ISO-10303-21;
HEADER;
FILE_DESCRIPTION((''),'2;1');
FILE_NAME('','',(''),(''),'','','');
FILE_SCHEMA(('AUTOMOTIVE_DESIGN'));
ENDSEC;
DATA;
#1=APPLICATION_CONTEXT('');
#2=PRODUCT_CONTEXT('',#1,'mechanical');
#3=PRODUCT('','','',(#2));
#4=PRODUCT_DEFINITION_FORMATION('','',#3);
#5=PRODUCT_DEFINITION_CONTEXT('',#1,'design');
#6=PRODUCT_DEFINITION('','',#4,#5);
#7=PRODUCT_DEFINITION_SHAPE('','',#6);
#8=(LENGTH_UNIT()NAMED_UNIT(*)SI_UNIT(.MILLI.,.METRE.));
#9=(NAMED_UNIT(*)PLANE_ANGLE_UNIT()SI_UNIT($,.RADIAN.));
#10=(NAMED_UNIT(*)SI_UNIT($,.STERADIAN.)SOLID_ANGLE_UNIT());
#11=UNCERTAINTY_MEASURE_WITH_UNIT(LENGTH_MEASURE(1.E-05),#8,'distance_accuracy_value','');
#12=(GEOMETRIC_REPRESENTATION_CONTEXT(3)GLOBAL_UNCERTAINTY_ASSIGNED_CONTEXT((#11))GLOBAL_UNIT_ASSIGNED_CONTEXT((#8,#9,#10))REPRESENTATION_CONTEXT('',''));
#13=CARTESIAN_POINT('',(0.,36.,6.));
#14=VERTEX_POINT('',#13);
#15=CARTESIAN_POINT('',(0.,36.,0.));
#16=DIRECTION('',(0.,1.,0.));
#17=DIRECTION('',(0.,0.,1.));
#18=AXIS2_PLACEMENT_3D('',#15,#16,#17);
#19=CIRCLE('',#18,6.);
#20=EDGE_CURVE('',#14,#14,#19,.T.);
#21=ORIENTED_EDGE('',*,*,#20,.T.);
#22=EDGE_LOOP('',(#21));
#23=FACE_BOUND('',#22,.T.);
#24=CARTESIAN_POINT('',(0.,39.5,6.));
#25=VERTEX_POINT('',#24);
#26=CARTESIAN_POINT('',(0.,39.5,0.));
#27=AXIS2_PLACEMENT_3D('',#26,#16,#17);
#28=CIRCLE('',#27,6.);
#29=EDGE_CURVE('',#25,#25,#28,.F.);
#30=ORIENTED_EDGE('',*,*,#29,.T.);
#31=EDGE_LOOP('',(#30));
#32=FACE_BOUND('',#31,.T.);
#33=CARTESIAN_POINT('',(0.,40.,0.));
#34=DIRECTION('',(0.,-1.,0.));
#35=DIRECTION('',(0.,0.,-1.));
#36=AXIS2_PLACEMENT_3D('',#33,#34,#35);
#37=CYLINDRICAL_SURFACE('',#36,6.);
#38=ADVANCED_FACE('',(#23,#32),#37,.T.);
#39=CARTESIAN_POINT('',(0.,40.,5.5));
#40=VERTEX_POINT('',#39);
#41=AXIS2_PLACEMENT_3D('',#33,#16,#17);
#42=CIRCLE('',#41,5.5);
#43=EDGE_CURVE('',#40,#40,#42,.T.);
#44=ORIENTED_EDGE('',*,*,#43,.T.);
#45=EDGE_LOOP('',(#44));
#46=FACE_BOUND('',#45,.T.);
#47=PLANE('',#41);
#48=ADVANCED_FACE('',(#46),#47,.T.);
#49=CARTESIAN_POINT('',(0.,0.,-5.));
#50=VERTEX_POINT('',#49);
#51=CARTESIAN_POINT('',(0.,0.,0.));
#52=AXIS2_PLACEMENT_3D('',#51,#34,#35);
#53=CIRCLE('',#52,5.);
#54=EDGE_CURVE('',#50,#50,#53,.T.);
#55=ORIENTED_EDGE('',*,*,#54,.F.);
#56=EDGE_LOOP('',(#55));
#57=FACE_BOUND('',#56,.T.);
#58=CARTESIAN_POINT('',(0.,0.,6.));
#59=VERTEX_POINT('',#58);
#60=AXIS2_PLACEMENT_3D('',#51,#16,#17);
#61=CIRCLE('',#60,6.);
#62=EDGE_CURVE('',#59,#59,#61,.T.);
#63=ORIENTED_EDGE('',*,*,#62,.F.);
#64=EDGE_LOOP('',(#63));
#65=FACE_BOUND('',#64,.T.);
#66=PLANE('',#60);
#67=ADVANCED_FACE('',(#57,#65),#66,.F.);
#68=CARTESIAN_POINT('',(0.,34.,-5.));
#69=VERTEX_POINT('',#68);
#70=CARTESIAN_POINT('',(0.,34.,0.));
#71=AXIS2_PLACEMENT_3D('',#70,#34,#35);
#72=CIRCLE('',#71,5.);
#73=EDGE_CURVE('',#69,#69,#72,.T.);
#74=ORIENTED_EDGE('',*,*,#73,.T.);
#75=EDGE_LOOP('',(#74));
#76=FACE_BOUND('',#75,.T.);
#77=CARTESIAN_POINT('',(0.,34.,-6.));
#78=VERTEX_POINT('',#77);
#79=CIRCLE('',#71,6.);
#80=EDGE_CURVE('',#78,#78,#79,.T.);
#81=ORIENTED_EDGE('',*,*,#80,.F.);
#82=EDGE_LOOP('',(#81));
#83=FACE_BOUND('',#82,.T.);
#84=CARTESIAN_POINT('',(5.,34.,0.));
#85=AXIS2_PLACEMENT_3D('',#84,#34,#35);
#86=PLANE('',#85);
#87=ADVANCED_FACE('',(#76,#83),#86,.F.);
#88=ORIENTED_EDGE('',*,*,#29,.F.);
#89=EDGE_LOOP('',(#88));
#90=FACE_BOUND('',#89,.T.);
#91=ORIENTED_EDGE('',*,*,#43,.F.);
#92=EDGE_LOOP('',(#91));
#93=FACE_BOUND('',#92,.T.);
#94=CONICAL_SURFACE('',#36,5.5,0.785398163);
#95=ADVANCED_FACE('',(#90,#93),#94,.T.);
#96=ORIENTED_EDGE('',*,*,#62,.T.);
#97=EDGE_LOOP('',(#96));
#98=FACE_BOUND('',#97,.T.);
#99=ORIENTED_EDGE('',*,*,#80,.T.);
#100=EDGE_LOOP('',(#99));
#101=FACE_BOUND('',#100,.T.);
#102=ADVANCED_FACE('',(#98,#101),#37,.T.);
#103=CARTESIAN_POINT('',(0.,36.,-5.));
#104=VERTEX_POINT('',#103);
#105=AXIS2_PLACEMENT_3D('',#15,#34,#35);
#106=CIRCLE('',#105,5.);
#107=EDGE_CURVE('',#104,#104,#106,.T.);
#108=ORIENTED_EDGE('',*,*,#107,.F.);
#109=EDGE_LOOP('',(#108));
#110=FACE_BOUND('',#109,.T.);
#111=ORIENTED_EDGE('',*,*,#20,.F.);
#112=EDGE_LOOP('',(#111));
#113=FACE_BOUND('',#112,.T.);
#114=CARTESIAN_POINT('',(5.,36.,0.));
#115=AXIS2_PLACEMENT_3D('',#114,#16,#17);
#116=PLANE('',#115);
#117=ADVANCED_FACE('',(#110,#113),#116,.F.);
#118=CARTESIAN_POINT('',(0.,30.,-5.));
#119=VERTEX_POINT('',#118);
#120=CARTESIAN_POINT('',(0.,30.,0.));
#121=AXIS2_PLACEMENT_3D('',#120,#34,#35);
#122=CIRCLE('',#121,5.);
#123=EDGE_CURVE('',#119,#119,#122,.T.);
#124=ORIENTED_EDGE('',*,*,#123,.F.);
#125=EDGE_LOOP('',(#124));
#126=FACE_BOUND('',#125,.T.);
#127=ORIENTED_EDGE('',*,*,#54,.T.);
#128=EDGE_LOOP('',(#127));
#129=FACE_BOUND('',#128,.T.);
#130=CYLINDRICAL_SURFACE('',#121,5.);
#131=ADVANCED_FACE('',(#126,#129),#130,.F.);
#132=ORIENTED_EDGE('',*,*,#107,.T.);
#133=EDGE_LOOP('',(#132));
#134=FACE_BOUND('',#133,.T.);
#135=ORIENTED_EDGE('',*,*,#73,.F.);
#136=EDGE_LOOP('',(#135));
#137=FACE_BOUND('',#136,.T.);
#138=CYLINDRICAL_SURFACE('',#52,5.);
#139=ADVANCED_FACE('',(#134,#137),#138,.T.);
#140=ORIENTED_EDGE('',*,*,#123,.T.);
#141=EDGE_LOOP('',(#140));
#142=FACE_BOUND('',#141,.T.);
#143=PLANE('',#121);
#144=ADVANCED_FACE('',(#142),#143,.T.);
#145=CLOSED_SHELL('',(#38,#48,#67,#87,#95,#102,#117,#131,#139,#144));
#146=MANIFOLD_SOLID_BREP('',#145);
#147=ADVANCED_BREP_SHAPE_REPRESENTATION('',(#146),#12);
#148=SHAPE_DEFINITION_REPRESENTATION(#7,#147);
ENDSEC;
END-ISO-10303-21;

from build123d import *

# Parameters (mm, degrees)
ESBO_O1_R             = 6
EXTRUS_O1_DEPTH       = 40
ESBO_O2_R             = 5
CORTE_EXTRUS_O1_DEPTH = 30
CHANFRO1_SIZE         = 0.5
ESBO_O3_W             = 3
ESBO_O3_H             = 2


with BuildPart() as part:
    # Esboço1 → Extrusão1 (new body)
    with BuildSketch(Plane(origin=(0, 0, 0), x_dir=(1, 0, 0), z_dir=(0, 1, 0))):
        with Locations(Location((0, 0, 0), (0, 0, 270))):  # turned: the seam where the file's is
            Circle(ESBO_O1_R)
    extrude(amount=EXTRUS_O1_DEPTH)

    # Esboço2 → Corte-extrusão1 (cut)
    with BuildSketch(Plane.XZ):
        with Locations(Location((0, 0, 0), (0, 0, 270))):  # turned: the seam where the file's is
            Circle(ESBO_O2_R)
    extrude(amount=-CORTE_EXTRUS_O1_DEPTH, mode=Mode.SUBTRACT)

    # Chanfro1
    chanfro1_edges = [part.edges().sort_by_distance(p)[0] for p in [
        (0, 40, -6),
    ]]
    chamfer(chanfro1_edges, length=CHANFRO1_SIZE)

    # Esboço3 → Corte-Revolução3 (revolve, cut)
    with BuildSketch(Plane.XY, mode=Mode.PRIVATE) as corte_revolu_o3_sk:
        with Locations((6.5, 35)):
            Rectangle(ESBO_O3_W, ESBO_O3_H)
    revolve(corte_revolu_o3_sk.sketch.rotate(Axis((0, 0, 0), (0, 1, 0)), 90), axis=Axis((0, 0, 0), (0, 1, 0)), mode=Mode.SUBTRACT)  # turned: the seam where the file's is


solid = part.part
